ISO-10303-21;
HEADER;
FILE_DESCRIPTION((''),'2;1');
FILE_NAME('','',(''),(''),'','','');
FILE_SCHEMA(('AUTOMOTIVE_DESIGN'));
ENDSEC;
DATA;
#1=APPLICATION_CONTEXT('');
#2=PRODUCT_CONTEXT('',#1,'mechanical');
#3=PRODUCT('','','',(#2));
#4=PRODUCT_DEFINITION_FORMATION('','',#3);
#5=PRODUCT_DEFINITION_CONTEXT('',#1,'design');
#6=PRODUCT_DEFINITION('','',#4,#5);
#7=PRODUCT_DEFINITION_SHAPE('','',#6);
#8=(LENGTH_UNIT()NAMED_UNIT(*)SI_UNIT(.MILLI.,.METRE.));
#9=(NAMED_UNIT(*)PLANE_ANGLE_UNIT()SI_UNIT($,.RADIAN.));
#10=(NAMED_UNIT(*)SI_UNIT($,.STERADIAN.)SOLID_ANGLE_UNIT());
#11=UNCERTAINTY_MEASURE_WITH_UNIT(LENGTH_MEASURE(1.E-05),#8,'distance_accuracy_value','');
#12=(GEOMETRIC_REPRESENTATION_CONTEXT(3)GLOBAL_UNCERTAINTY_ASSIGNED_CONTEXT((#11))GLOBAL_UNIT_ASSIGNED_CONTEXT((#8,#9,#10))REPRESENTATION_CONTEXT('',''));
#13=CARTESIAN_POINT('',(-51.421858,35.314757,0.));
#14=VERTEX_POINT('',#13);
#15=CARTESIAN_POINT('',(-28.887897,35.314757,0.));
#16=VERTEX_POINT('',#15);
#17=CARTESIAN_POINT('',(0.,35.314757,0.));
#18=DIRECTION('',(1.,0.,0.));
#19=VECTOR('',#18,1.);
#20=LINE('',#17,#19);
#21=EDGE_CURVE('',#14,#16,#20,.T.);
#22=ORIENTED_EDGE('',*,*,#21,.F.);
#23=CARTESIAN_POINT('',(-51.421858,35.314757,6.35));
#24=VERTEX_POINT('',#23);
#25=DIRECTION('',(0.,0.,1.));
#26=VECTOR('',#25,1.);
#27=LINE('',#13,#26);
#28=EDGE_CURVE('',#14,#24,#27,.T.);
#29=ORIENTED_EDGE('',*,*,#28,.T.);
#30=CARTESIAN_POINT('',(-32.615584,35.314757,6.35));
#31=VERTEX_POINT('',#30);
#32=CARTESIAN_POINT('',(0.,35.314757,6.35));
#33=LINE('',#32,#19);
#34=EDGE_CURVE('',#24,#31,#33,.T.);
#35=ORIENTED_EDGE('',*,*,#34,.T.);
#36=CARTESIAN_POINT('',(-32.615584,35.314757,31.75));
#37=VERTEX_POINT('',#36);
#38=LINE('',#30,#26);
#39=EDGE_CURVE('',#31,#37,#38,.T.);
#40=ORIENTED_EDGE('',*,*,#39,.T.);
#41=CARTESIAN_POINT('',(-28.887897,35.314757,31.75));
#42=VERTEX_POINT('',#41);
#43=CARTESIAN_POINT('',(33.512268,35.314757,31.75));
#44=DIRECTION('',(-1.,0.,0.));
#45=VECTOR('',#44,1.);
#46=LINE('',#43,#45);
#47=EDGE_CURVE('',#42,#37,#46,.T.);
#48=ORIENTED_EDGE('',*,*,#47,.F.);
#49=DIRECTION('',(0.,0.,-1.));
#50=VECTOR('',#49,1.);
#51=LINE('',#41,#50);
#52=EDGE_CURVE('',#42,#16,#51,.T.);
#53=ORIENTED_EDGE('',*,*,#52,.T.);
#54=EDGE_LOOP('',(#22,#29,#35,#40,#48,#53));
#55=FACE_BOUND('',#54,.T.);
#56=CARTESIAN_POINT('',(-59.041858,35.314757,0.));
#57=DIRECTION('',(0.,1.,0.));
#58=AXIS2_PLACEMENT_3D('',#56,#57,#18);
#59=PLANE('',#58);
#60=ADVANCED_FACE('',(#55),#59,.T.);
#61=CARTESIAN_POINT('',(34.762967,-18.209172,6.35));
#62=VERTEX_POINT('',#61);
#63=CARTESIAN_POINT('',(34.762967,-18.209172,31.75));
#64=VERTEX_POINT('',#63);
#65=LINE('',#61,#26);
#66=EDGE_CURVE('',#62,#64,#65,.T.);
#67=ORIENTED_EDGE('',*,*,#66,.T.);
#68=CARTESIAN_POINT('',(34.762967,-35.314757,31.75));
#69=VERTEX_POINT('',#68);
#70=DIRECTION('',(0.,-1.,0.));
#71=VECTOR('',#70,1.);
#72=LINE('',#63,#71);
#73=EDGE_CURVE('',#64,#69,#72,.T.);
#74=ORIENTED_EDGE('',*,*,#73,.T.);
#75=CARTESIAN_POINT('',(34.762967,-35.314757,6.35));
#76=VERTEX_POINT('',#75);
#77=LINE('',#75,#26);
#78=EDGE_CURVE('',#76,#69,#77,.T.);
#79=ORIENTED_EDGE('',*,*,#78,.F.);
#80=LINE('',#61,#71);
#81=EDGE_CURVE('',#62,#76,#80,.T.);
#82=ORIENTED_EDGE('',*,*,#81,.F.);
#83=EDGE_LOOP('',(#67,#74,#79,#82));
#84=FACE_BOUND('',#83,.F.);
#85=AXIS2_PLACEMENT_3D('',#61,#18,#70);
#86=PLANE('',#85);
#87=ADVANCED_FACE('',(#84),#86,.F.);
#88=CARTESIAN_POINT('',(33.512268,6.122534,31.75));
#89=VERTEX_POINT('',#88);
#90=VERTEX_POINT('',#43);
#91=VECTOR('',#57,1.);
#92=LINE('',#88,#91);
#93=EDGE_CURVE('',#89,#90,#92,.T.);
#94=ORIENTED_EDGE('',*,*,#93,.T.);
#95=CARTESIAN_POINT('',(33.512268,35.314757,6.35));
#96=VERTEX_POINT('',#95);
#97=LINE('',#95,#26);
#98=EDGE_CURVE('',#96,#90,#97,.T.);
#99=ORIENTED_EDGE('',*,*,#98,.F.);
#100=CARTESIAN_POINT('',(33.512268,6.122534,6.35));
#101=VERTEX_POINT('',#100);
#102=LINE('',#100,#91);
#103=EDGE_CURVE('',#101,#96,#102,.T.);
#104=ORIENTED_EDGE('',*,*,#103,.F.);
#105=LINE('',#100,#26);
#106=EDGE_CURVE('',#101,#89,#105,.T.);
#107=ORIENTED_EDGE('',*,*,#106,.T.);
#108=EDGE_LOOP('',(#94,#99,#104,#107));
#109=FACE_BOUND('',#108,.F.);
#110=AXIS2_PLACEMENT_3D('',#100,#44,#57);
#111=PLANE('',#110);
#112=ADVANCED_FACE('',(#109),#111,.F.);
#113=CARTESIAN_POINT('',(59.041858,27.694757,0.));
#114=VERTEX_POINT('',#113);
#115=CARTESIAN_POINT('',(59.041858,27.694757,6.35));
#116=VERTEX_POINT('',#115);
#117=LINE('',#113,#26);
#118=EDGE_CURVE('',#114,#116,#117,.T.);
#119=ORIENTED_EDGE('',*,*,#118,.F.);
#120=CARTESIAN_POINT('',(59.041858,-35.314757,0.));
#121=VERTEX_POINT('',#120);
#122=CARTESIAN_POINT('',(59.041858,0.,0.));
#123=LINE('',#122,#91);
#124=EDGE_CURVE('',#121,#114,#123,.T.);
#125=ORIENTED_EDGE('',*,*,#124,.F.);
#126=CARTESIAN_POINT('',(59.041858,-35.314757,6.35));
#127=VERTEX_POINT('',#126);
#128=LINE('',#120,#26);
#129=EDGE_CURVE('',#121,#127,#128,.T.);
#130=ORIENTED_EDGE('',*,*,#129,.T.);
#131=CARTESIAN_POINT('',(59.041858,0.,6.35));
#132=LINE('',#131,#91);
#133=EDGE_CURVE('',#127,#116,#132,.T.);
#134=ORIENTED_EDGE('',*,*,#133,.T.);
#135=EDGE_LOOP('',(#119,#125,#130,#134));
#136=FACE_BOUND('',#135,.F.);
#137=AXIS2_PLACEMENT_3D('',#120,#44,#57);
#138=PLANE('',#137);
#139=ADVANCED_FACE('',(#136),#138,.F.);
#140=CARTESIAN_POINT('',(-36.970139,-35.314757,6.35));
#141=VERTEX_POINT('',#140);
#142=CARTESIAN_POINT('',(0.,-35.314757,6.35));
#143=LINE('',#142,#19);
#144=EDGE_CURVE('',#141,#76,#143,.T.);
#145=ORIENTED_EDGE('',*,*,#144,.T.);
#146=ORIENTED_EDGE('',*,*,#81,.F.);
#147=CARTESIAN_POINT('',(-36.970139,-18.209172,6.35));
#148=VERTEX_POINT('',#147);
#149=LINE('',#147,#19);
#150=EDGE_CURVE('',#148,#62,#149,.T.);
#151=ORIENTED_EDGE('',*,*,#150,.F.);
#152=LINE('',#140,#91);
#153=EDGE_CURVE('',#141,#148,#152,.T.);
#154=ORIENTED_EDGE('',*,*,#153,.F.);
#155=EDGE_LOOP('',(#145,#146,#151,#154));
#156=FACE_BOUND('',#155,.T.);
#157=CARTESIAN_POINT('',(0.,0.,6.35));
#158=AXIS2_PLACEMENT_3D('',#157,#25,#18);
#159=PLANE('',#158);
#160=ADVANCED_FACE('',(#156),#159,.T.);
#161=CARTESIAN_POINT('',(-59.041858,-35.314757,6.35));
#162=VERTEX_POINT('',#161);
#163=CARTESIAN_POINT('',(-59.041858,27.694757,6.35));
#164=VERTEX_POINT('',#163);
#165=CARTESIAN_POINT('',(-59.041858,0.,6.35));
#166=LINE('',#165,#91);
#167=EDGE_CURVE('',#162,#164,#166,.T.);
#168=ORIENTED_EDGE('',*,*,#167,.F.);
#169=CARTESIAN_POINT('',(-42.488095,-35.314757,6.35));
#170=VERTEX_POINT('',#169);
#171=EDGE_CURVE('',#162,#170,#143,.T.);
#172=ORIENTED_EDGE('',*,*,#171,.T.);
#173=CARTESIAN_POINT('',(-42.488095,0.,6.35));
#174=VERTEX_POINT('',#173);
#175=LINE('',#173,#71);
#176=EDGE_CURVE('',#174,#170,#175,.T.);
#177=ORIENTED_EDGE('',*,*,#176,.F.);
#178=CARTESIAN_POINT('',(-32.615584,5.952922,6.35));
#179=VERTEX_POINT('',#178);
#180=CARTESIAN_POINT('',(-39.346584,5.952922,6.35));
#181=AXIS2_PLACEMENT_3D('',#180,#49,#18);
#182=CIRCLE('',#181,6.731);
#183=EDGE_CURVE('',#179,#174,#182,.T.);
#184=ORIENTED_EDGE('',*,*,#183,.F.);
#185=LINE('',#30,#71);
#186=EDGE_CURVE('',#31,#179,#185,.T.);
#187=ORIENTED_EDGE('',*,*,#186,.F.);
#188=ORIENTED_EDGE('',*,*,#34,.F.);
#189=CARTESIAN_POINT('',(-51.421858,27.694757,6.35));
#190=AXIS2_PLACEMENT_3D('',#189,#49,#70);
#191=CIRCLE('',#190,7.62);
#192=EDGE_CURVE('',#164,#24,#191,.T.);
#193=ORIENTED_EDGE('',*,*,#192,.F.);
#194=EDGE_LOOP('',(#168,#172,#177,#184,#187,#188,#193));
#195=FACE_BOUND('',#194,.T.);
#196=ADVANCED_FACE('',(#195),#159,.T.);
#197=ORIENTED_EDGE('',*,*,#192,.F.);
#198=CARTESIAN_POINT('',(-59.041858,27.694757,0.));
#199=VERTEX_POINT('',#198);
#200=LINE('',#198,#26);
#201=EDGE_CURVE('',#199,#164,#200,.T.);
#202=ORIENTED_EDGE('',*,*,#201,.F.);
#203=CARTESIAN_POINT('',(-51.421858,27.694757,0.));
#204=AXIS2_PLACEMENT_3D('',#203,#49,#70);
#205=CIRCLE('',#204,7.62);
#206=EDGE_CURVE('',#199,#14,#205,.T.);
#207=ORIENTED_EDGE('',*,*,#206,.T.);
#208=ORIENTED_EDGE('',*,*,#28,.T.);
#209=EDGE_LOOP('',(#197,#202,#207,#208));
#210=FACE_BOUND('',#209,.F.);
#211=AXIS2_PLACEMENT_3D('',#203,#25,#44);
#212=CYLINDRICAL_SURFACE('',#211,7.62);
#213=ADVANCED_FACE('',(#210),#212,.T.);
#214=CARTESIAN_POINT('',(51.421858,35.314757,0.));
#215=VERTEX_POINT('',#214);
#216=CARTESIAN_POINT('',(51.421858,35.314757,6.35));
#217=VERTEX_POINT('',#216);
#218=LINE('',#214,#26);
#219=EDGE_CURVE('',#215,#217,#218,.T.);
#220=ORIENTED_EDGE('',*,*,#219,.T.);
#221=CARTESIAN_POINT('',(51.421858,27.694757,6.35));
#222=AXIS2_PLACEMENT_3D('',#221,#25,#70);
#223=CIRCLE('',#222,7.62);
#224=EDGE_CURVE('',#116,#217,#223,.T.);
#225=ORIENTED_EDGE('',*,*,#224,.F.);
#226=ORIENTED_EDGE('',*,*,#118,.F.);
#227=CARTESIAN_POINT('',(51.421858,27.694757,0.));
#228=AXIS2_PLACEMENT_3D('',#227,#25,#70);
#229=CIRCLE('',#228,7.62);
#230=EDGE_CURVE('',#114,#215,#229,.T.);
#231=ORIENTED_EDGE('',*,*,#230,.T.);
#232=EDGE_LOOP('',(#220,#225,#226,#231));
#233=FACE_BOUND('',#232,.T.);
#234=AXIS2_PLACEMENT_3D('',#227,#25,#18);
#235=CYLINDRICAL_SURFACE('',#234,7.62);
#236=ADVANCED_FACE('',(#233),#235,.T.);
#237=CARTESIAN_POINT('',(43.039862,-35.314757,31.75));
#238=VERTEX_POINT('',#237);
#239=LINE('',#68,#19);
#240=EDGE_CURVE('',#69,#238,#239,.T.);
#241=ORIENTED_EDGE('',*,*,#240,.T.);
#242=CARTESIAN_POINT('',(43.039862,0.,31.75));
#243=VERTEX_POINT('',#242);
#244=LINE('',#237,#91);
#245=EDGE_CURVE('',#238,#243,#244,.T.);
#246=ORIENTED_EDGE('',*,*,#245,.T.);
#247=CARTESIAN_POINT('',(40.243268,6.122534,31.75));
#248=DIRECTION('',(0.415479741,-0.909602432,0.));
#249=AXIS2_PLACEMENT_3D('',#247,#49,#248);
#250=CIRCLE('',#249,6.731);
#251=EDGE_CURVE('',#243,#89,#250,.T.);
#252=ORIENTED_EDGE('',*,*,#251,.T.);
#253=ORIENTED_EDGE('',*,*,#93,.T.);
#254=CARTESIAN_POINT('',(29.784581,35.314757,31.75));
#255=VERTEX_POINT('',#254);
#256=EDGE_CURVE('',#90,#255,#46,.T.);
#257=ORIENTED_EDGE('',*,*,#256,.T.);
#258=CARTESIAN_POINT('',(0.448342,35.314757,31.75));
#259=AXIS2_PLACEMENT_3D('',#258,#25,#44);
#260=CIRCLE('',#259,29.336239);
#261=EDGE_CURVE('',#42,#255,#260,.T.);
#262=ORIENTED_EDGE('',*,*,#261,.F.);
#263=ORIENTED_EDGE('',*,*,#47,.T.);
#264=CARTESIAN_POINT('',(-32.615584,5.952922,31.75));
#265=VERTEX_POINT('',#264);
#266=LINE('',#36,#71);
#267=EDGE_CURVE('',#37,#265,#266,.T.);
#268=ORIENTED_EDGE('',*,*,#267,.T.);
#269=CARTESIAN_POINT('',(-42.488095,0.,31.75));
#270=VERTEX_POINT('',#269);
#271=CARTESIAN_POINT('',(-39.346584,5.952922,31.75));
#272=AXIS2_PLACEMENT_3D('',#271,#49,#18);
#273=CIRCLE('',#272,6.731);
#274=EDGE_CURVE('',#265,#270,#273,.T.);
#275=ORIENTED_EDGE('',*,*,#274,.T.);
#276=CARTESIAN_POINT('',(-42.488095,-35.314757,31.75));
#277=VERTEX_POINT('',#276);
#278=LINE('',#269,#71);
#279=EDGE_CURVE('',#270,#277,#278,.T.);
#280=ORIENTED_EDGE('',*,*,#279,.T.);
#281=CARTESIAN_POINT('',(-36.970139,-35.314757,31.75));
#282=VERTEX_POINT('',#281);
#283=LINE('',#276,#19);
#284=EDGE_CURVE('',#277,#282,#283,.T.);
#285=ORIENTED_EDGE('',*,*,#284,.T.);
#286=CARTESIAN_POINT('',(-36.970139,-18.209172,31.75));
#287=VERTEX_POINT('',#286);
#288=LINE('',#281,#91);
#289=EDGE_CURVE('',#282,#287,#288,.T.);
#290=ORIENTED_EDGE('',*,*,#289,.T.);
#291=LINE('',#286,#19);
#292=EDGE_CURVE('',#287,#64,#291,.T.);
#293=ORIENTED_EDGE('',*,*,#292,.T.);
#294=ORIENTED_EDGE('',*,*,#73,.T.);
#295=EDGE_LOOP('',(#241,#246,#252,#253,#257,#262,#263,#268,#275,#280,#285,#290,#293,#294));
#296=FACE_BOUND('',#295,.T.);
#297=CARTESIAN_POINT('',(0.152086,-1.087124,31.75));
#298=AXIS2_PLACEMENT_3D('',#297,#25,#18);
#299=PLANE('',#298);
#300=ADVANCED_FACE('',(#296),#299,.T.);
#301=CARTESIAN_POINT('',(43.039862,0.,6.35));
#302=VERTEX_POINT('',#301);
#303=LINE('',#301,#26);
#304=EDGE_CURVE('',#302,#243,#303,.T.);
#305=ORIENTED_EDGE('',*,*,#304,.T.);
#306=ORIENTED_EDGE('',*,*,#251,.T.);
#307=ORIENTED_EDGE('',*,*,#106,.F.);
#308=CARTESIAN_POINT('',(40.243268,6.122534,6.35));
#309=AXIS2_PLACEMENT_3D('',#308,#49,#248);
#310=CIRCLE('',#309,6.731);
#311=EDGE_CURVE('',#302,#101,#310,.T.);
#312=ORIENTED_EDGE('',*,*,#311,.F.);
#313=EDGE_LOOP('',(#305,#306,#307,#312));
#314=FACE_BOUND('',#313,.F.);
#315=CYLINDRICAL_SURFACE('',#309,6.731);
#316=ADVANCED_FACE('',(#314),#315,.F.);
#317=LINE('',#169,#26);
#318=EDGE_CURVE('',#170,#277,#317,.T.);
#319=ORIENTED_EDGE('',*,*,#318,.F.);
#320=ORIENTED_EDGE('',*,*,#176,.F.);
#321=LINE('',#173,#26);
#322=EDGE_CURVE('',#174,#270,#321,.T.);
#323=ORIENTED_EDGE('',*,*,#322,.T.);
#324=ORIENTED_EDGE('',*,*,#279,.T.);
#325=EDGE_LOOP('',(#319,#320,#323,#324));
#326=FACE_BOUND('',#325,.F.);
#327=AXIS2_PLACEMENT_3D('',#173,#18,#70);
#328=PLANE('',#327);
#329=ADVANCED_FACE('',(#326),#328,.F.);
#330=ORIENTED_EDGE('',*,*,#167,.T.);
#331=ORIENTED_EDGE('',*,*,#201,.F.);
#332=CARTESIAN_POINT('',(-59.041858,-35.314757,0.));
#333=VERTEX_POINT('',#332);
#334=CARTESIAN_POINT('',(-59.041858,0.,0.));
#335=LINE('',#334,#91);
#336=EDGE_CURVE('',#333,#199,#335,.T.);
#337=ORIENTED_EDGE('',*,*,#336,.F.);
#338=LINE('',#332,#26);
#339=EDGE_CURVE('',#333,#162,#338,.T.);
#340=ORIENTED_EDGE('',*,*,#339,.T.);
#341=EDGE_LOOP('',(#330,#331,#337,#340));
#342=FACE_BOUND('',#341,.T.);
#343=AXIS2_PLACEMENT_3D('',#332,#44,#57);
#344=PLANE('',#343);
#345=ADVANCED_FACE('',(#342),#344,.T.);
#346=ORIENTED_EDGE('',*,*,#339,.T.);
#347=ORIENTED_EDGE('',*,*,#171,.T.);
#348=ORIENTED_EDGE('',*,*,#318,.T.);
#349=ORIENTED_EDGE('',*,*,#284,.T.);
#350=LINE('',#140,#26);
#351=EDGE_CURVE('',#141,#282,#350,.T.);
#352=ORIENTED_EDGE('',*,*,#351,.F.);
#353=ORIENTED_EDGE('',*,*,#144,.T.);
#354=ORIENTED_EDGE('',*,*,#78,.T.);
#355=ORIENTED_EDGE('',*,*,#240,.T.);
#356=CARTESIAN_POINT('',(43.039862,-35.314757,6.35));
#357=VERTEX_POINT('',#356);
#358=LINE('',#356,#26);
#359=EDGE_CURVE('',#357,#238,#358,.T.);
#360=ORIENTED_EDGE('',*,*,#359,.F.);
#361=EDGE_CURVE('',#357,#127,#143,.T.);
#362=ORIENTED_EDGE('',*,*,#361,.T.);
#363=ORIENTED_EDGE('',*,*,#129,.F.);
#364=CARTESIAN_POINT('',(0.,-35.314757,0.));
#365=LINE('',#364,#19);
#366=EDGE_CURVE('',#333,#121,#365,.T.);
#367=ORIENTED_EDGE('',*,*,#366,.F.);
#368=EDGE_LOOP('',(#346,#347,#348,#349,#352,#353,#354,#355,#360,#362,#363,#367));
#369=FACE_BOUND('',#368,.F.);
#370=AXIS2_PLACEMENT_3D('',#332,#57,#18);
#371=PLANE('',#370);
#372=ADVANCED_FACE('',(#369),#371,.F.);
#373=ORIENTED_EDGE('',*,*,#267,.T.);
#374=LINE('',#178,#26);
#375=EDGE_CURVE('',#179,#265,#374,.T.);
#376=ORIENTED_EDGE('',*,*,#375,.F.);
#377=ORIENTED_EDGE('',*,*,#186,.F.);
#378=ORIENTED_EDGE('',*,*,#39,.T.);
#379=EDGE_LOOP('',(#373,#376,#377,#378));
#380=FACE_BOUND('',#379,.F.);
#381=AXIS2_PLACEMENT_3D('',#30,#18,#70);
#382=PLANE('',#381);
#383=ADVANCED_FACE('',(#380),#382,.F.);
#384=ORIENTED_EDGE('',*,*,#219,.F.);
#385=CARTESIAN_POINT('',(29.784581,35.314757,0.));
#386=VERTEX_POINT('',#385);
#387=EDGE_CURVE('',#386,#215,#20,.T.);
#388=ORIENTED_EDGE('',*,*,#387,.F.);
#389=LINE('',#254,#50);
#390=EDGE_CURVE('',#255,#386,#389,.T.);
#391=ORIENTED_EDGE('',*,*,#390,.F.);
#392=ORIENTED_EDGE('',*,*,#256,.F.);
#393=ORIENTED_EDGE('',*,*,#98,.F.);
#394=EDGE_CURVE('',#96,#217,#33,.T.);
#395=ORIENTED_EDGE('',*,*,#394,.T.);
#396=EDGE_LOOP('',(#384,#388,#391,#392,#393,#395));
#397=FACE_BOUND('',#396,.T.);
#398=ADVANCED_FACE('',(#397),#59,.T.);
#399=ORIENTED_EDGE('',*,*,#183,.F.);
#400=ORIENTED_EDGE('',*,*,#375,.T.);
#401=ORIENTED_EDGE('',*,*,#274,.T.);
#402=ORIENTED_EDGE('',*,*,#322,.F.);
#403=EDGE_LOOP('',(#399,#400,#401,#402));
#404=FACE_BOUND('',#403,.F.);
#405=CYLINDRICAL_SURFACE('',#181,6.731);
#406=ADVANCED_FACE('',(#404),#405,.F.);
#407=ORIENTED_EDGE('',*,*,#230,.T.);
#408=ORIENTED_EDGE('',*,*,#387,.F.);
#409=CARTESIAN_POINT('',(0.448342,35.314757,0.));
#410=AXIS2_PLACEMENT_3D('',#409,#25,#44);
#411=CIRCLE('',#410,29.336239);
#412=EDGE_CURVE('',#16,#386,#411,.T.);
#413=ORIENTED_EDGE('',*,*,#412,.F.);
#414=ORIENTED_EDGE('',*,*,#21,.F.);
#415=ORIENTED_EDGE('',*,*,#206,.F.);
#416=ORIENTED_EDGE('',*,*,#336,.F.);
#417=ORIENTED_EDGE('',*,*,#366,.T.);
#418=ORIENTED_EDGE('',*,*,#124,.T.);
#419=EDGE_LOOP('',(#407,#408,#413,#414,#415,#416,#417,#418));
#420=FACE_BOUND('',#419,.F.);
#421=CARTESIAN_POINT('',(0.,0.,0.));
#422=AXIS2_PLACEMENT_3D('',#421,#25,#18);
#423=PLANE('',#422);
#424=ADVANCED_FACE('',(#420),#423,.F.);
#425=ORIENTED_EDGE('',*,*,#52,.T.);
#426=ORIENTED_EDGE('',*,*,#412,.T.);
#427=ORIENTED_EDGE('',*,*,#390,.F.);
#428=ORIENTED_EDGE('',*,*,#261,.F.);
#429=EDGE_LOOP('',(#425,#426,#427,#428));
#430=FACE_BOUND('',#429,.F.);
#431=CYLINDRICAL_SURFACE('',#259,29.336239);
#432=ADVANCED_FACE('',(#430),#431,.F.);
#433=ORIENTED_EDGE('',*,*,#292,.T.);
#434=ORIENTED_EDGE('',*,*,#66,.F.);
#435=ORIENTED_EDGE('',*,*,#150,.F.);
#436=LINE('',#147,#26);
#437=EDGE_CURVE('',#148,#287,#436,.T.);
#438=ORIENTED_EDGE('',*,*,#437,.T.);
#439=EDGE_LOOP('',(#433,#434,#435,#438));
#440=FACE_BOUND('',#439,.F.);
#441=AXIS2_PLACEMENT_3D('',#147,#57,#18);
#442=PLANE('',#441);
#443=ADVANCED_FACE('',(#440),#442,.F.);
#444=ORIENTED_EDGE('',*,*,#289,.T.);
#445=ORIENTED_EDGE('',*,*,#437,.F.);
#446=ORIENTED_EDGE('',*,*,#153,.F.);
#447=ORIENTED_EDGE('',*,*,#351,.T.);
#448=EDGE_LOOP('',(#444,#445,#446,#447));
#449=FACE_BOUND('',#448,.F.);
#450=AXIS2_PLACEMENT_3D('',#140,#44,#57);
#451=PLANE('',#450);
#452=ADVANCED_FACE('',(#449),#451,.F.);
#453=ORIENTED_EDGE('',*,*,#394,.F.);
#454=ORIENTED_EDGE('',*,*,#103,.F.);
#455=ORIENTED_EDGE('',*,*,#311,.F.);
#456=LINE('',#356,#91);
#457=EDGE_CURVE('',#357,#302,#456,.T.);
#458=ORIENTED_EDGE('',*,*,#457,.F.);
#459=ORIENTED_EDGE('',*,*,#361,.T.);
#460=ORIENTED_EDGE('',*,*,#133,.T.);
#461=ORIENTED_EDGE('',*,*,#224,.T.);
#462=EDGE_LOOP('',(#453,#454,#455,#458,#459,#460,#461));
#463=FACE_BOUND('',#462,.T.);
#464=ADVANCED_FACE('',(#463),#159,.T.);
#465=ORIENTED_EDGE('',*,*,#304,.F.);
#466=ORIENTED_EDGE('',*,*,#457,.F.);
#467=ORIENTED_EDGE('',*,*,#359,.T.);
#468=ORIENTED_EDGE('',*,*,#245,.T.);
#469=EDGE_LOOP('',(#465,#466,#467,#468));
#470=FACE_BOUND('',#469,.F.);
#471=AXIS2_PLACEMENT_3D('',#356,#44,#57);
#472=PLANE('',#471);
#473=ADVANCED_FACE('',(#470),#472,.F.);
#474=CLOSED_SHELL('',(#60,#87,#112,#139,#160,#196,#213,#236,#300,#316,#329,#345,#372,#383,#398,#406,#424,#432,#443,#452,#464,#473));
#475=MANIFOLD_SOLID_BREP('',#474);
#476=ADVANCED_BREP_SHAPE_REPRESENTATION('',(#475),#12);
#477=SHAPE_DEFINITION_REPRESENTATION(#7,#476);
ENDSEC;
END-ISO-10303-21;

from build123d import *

# Parameters (mm, degrees)
F0_W     = 118.0837154388
F0_H     = 70.6295147538
F1_DEPTH = 6.35
F2_R     = 7.62
F4_DEPTH = 25.4
F6_DEPTH = 50.8


with BuildPart() as f1:
    # F0 (on Top) → F1 (new body)
    with BuildSketch(Plane.XY):
        Rectangle(F0_W, F0_H)
    extrude(amount=F1_DEPTH)

    # F2
    f2_edges = [f1.edges().sort_by_distance(p)[0] for p in [
        (-59.041858, 35.314757, 3.175),
        (59.041858, 35.314757, 3.175),
    ]]
    fillet(f2_edges, radius=F2_R)

    # F3 (on face) → F4 (join)
    with BuildSketch(Plane.XY.offset(6.35)):
        with BuildLine():
            Line((-42.4880945322, 0), (-42.4880945322, -35.3147573769))
            Line((-42.4880945322, -35.3147573769), (-36.9701385498, -35.3147573769))
            Line((-36.9701385498, -35.3147573769), (-36.9701385498, -18.2091724128))
            Line((-36.9701385498, -18.2091724128), (34.7629673779, -18.2091724128))
            Line((34.7629673779, -18.2091724128), (34.7629673779, -35.3147573769))
            Line((34.7629673779, -35.3147573769), (43.0398620665, -35.3147573769))
            Line((43.0398620665, -35.3147573769), (43.0398620665, 0))
            ThreePointArc((43.0398620665, 0), (36.6044160593, 0.4599269685), (33.5122679292, 6.1225339714))
            Line((33.5122679292, 6.1225339714), (33.5122679292, 35.3147573769))
            Line((33.5122679292, 35.3147573769), (-32.6155844176, 35.3147573769))
            Line((-32.6155844176, 35.3147573769), (-32.6155844176, 5.9529215684))
            ThreePointArc((-32.6155844176, 5.9529215684), (-35.8708933771, 0.1887275405), (-42.4880945322, 0))
        make_face()
    extrude(amount=F4_DEPTH)

    # F5 (on face) → F6 (cut)
    with BuildSketch(Plane.XY.offset(31.75)):
        with BuildLine():
            ThreePointArc((-28.8878973408, 35.3147573769), (0.4483417558, 5.9785182804), (29.7845808524, 35.3147573769))
            Line((29.7845808524, 35.3147573769), (-28.8878973408, 35.3147573769))
        make_face()
    extrude(amount=-F6_DEPTH, mode=Mode.SUBTRACT)


solid = f1.part
